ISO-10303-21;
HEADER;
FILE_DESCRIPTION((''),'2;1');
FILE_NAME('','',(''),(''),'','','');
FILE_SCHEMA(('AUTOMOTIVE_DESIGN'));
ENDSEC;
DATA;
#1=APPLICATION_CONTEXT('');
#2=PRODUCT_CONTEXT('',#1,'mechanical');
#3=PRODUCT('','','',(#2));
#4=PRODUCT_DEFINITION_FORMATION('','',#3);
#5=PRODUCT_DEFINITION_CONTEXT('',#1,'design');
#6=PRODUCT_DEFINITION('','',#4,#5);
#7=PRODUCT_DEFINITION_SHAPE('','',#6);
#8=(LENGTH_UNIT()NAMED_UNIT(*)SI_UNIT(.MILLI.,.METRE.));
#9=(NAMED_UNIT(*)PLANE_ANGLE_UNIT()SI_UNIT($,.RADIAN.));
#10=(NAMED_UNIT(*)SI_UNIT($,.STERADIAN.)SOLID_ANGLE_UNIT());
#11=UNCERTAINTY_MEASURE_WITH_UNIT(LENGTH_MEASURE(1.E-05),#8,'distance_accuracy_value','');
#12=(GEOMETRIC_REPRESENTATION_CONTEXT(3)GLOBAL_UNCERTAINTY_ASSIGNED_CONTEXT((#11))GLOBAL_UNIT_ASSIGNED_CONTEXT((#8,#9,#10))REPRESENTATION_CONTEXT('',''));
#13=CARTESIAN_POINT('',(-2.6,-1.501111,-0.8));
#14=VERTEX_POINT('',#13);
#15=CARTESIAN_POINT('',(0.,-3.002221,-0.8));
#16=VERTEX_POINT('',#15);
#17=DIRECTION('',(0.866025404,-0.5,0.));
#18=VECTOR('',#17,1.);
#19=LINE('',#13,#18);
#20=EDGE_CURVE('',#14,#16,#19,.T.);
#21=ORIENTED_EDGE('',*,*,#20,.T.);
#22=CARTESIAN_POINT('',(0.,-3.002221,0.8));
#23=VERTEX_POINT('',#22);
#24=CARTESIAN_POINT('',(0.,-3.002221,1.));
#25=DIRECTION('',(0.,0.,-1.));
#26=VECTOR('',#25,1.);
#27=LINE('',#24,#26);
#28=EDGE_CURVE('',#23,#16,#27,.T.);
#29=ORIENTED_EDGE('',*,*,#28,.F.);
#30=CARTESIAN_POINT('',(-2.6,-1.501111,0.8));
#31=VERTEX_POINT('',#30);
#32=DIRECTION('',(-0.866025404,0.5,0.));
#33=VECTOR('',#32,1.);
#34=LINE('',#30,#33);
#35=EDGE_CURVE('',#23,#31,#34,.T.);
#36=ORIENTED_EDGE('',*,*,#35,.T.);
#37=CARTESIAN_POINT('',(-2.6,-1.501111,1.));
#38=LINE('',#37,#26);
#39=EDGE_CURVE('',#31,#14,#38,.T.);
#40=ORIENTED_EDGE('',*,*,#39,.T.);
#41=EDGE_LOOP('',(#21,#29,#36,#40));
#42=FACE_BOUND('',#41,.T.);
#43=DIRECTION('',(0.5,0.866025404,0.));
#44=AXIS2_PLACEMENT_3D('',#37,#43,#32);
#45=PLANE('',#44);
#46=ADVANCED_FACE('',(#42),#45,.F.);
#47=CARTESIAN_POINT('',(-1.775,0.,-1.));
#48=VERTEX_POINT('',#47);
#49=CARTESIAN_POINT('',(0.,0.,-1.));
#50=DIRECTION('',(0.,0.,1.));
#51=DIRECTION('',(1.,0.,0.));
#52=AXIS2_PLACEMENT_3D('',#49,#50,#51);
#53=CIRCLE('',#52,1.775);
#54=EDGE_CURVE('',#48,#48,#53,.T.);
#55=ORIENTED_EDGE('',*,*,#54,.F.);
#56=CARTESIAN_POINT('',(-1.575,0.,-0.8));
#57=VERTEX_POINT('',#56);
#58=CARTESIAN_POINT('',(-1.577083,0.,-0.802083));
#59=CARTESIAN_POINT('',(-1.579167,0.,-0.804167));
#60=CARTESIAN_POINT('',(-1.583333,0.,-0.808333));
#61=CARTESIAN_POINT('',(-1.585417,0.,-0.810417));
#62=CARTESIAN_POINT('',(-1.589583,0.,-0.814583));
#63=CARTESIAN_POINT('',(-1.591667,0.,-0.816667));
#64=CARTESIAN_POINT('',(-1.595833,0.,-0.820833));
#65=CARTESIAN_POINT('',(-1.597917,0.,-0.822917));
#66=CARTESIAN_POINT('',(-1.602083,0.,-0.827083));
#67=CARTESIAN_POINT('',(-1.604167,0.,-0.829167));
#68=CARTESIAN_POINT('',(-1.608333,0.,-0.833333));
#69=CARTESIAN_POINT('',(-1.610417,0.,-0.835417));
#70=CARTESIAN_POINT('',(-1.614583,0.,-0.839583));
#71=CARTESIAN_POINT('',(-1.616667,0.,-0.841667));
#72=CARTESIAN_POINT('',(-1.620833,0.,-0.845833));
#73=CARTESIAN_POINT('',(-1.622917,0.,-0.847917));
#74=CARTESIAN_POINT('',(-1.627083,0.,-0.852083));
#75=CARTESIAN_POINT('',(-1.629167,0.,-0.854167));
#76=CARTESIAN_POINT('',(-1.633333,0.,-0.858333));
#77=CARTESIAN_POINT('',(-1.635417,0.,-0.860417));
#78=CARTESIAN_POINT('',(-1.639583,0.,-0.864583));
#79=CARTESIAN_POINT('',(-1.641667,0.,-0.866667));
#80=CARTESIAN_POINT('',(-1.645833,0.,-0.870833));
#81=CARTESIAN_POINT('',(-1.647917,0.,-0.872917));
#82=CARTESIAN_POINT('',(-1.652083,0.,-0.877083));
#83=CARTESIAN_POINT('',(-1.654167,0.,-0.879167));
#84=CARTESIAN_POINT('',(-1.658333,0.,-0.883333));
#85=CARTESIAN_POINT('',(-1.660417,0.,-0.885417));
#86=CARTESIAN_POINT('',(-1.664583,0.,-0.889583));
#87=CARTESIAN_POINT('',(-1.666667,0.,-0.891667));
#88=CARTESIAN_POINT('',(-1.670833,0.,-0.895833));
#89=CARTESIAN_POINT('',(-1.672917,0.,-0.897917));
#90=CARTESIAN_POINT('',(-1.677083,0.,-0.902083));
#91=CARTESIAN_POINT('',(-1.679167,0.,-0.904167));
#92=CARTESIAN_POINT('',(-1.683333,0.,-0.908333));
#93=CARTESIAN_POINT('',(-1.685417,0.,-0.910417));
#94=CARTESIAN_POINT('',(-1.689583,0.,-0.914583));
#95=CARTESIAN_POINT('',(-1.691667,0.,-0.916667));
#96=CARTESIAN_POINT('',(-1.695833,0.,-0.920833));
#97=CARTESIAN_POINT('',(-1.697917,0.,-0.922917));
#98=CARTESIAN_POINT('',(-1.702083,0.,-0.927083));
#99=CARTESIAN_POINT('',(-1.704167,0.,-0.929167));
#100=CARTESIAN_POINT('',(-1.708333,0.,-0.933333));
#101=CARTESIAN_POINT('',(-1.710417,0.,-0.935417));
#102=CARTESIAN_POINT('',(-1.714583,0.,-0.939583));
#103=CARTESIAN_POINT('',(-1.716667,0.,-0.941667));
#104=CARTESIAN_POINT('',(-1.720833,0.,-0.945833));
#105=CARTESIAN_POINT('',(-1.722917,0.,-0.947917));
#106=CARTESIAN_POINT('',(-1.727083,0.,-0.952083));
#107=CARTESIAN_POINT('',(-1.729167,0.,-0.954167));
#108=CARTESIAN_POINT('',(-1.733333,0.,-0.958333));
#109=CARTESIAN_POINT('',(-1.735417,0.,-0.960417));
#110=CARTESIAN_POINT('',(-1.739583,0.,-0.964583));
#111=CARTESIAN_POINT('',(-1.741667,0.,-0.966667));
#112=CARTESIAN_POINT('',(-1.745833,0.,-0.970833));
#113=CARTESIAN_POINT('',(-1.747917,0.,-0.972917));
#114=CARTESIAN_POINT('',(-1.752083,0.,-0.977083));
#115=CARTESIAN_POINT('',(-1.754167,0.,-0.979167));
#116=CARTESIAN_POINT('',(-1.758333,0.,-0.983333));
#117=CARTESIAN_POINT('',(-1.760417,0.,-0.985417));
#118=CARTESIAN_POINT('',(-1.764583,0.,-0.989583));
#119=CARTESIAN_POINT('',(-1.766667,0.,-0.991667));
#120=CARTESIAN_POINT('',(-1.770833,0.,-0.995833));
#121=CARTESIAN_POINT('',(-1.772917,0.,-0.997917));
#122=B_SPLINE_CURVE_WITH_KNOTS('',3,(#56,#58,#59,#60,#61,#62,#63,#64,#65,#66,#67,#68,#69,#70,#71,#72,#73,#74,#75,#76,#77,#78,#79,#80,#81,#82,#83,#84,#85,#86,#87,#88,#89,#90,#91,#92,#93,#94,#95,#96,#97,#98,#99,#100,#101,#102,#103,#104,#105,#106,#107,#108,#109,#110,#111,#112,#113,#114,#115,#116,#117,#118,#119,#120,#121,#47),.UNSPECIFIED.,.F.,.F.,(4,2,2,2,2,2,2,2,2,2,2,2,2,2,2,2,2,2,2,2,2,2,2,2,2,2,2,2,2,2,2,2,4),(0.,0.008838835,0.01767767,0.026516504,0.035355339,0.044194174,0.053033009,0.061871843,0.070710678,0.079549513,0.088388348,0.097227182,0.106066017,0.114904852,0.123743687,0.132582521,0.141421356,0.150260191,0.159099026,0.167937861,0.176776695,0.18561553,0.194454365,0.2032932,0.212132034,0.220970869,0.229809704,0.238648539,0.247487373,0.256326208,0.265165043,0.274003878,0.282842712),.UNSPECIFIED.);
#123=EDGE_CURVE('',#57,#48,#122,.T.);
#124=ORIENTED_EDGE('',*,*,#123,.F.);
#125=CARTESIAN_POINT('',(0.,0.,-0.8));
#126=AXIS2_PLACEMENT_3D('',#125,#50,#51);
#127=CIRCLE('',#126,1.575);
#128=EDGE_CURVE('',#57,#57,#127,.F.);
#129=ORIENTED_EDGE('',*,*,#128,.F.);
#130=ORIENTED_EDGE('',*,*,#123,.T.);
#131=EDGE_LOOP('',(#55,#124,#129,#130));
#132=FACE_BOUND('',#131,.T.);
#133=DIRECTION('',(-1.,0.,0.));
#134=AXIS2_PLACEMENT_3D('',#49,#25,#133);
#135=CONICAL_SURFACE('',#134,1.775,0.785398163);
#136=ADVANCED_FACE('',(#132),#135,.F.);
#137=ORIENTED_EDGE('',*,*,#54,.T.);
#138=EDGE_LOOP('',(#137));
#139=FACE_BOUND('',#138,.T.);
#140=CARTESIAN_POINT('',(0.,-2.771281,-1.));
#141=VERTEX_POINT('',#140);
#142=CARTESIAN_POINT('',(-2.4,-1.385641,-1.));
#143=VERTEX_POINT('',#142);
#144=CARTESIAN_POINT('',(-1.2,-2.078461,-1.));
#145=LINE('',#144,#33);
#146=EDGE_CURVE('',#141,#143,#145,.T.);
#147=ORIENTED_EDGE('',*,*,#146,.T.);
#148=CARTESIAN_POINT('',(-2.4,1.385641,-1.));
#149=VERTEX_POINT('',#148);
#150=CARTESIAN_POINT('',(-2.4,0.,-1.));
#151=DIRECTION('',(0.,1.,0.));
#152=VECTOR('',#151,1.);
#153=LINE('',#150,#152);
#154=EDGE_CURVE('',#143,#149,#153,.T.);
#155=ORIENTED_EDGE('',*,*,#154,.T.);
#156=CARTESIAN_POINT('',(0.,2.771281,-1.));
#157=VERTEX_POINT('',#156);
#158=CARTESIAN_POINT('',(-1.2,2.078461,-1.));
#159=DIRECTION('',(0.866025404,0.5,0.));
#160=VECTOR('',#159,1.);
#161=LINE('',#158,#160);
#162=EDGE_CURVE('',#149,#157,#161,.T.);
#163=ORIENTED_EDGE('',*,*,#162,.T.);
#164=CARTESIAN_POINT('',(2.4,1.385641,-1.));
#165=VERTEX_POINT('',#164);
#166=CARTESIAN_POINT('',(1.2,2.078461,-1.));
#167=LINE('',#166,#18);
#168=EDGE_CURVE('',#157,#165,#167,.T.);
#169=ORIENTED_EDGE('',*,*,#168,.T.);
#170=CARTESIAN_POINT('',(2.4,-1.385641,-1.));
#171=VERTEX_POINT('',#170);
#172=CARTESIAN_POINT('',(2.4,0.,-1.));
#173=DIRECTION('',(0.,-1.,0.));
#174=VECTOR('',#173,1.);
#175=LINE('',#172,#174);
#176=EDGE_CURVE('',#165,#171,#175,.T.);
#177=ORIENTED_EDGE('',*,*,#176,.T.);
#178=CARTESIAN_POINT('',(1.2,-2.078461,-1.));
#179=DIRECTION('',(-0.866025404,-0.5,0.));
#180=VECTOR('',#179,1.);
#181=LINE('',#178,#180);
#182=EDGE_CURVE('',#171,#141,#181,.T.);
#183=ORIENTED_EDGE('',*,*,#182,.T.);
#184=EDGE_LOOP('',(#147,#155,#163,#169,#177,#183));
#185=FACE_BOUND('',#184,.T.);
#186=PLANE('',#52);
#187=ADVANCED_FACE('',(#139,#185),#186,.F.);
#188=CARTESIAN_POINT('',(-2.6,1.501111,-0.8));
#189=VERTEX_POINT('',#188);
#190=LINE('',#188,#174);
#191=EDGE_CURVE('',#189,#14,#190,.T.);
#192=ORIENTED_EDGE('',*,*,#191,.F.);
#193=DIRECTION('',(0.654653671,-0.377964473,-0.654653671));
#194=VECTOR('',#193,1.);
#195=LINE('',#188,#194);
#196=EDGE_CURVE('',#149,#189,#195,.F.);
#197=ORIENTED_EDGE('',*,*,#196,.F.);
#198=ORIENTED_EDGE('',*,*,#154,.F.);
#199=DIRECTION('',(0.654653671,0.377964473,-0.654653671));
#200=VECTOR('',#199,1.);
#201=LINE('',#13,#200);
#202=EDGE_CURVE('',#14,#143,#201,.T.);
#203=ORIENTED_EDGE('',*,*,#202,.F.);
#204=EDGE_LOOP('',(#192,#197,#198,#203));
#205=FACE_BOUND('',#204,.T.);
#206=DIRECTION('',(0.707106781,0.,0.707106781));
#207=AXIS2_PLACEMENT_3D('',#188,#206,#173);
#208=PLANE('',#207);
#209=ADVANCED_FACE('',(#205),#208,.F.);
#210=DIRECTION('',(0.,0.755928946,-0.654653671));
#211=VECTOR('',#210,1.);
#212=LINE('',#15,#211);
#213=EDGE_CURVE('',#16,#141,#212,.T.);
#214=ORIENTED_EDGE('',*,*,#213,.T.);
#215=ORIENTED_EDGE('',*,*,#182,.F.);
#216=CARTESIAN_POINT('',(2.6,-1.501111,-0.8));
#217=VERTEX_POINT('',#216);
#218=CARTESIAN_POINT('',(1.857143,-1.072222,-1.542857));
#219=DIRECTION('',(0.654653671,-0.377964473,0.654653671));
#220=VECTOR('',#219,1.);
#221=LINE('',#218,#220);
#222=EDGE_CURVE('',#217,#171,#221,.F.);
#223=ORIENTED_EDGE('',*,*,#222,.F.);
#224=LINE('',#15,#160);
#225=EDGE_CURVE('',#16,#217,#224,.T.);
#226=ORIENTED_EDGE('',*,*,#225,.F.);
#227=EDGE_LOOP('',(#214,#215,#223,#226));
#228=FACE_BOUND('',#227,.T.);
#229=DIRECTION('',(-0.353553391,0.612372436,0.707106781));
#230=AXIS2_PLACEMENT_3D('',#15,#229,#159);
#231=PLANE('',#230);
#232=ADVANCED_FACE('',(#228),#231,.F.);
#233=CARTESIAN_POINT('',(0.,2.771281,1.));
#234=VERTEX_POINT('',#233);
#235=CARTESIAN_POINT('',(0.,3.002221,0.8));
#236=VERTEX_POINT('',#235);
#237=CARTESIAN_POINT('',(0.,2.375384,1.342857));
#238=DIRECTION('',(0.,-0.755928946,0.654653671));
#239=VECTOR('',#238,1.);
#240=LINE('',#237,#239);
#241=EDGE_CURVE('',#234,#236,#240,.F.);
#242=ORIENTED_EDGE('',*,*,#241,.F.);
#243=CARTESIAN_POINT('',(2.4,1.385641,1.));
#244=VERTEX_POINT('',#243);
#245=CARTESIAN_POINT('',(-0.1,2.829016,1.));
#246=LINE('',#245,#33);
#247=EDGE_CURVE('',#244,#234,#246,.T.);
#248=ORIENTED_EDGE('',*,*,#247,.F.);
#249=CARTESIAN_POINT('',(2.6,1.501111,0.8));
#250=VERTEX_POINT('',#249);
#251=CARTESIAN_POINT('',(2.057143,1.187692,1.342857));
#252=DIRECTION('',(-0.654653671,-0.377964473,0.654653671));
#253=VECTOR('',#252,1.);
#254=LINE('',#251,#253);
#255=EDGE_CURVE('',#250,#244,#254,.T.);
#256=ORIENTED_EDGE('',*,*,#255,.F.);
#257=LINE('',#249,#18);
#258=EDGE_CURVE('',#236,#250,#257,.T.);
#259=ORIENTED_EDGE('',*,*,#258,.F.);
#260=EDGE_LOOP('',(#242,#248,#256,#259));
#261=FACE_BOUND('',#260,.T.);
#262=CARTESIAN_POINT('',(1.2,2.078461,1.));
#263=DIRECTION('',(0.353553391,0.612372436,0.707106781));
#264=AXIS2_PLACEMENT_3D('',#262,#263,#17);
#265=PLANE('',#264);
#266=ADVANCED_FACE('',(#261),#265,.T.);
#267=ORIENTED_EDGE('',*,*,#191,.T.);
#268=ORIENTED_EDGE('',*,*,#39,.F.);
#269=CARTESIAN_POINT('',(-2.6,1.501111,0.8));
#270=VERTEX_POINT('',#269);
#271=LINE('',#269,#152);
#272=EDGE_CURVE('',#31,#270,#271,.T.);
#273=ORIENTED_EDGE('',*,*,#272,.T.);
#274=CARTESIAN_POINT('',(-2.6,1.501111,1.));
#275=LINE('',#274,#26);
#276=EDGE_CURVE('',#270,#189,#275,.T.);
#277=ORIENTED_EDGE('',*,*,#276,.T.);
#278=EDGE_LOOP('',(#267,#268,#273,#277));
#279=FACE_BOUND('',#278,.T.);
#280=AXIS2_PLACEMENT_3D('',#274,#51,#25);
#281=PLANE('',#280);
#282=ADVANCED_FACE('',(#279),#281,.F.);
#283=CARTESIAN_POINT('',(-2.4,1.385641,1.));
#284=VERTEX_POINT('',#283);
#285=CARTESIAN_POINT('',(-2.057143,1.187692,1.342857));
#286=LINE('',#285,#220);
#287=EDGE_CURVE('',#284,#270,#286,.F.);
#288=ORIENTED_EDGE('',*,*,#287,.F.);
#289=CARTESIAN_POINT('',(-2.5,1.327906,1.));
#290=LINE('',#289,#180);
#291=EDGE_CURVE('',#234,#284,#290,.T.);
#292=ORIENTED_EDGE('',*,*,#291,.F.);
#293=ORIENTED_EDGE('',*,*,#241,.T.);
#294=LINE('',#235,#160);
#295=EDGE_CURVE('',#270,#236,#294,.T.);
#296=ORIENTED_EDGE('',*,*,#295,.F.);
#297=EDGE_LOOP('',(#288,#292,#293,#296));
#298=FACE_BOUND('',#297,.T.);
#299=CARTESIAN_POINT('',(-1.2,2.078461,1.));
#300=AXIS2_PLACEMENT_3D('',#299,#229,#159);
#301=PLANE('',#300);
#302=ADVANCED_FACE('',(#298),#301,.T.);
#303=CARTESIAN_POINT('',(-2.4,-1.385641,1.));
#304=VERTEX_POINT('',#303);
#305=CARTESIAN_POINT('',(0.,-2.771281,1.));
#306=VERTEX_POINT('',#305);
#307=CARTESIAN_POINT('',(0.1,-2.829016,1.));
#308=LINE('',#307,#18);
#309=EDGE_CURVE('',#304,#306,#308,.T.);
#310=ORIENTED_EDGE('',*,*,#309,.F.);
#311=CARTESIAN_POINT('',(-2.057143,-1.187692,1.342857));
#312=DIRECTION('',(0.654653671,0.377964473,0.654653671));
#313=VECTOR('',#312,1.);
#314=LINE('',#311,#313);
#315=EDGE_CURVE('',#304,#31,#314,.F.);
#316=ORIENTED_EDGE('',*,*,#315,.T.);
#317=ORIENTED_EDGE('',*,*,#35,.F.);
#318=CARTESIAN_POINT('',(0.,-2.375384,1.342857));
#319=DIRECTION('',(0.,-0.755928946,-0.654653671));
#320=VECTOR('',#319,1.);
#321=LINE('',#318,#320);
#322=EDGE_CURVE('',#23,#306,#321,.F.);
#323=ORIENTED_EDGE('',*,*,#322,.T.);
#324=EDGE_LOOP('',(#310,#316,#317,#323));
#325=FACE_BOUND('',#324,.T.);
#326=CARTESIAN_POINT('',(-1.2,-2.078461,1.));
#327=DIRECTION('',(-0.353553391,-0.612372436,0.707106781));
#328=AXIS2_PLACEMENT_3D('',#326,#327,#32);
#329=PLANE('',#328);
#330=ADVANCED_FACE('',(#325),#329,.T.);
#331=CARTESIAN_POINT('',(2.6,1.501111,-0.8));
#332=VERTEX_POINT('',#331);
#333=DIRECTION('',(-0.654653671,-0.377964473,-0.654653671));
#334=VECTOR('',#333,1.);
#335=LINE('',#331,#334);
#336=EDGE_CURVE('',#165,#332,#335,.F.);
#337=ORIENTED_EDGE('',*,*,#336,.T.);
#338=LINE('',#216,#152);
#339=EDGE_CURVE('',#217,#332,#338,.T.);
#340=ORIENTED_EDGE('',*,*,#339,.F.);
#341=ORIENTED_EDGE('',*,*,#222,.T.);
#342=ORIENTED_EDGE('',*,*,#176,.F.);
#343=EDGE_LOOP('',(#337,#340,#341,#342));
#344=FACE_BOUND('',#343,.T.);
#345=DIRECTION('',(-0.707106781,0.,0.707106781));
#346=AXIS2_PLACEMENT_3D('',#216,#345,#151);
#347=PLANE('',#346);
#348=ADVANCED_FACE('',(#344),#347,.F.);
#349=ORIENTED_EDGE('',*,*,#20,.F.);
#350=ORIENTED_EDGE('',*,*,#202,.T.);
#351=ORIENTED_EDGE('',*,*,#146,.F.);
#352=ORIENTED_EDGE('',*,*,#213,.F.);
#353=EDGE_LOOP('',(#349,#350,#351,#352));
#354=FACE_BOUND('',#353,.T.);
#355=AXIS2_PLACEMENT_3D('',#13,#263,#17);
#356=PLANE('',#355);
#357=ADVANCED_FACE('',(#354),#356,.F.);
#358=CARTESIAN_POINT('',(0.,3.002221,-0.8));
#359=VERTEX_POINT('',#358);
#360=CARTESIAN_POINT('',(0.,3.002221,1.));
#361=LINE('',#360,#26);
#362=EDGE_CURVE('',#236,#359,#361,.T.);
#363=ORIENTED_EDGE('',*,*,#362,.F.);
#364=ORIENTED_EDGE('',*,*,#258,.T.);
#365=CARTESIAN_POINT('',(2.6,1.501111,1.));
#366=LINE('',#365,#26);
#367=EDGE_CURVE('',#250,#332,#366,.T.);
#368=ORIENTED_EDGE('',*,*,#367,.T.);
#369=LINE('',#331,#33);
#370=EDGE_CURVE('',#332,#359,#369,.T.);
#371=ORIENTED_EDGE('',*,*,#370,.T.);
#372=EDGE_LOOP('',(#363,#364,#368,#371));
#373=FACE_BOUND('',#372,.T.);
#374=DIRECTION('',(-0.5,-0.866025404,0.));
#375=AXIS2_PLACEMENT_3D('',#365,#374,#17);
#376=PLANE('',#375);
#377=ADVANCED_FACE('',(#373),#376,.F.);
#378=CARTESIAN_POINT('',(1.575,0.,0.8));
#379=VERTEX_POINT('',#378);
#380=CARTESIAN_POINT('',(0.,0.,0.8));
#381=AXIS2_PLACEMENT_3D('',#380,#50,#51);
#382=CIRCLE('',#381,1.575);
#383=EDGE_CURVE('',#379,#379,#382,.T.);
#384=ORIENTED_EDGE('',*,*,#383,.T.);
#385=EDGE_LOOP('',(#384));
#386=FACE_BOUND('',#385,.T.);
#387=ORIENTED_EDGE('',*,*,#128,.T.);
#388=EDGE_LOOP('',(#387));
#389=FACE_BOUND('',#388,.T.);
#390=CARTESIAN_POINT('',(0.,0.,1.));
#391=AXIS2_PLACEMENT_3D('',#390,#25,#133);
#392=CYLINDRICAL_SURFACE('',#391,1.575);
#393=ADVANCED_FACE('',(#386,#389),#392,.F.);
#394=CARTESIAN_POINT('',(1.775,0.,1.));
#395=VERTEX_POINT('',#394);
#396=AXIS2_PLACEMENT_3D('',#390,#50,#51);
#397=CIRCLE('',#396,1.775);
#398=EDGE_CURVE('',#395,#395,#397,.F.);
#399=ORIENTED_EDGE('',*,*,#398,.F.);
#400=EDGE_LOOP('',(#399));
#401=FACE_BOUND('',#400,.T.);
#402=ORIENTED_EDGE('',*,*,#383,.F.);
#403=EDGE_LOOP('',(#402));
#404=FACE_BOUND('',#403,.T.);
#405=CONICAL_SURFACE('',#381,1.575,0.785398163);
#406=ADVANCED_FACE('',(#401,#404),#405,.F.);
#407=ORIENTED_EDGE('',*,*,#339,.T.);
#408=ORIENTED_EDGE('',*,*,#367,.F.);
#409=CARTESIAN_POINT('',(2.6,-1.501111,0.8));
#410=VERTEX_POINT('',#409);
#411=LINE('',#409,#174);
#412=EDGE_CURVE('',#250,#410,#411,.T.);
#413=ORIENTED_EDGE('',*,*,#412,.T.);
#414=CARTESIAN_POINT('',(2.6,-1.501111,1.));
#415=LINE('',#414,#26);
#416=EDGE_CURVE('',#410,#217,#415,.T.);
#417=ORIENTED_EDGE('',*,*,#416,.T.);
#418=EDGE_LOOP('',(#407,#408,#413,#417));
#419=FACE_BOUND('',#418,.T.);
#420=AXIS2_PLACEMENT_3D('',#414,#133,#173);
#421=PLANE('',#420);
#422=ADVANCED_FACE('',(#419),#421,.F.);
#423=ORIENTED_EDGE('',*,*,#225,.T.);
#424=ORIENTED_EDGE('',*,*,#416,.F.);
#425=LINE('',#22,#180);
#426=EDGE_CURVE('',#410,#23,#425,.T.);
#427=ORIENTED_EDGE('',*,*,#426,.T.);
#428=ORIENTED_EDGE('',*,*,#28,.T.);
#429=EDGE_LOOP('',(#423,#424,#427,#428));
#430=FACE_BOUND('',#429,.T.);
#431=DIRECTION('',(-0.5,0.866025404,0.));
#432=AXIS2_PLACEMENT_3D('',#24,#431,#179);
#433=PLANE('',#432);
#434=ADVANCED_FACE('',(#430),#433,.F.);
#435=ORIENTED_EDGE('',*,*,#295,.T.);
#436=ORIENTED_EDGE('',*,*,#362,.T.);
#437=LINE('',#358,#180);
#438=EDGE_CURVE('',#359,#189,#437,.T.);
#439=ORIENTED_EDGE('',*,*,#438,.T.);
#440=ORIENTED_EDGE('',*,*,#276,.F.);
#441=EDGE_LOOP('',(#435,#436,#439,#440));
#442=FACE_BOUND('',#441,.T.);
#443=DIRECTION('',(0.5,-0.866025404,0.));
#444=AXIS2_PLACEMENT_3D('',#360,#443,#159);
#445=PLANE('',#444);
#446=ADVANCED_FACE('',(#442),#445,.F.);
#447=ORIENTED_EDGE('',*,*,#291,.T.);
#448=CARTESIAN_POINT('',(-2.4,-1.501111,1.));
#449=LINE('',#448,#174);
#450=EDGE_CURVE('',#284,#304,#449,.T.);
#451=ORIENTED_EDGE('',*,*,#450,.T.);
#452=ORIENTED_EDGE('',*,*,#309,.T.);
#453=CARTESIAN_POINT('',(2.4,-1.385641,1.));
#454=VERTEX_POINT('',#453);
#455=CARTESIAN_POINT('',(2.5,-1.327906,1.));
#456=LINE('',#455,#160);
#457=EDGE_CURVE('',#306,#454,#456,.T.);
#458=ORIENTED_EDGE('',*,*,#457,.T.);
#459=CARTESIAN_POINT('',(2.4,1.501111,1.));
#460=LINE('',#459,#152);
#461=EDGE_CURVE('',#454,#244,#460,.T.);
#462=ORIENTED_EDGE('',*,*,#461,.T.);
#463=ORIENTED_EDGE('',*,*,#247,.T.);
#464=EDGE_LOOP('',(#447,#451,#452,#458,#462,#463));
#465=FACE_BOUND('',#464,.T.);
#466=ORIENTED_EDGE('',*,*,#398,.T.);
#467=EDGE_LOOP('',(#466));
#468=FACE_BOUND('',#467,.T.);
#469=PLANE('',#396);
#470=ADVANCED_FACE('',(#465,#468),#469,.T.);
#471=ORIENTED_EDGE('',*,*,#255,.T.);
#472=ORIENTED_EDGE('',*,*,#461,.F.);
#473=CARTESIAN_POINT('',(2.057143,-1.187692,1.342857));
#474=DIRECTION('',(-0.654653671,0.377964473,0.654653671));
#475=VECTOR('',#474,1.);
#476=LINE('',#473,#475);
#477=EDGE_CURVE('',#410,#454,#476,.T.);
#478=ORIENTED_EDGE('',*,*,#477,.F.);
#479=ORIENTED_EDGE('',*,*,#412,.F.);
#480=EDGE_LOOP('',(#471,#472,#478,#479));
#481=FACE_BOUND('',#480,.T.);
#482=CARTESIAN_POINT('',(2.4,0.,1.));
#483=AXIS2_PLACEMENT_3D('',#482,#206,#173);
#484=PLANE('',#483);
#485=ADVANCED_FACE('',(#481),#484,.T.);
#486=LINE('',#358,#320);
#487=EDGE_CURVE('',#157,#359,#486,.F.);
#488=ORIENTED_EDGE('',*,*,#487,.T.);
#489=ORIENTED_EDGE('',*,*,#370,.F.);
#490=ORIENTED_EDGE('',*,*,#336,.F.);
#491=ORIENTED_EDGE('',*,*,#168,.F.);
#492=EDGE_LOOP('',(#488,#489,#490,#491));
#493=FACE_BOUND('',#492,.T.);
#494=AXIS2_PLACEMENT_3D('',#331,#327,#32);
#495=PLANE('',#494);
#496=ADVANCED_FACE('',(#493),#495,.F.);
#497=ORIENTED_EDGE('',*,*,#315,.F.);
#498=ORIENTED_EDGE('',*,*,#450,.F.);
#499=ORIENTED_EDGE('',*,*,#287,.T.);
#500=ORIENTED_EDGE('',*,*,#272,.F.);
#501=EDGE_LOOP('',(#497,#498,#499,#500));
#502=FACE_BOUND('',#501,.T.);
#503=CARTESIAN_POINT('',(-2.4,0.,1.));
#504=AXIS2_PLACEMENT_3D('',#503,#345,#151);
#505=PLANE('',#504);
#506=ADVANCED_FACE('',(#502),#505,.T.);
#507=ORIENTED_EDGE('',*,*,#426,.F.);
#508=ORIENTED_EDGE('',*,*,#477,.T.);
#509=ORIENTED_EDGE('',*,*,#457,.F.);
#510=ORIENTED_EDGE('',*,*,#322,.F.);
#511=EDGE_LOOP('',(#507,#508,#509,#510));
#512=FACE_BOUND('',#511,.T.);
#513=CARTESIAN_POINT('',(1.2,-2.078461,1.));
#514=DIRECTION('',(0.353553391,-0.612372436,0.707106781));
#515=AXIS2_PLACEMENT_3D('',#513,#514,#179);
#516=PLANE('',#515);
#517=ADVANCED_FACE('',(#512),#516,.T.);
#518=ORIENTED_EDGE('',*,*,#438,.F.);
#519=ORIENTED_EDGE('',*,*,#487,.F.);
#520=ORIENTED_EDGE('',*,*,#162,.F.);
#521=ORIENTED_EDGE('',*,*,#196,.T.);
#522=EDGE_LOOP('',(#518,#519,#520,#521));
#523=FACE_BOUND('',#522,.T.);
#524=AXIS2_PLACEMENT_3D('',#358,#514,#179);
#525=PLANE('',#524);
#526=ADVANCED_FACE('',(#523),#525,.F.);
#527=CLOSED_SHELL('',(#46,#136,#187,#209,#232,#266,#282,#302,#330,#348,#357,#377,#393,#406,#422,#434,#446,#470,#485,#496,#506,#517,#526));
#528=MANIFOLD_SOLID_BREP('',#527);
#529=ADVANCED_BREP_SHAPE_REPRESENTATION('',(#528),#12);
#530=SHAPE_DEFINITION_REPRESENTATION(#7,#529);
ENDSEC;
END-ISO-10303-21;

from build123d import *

# Parameters (mm, degrees)
SKETCH1_R           = 1.575
BOSS_EXTRUDE1_DEPTH = 1
DEBURS_SIZE         = 0.2


with BuildPart() as part:
    # Sketch1 → Boss-Extrude1 (new, symmetric)
    with BuildSketch(Plane.XY):
        Polygon((2.6, -1.5011107), (2.6, 1.5011107), (0, 3.0022214), (-2.6, 1.5011107), (-2.6, -1.5011107), (0, -3.0022214), align=None)
        Circle(SKETCH1_R, mode=Mode.SUBTRACT)
    extrude(amount=BOSS_EXTRUDE1_DEPTH, both=True)

    # Deburs
    deburs_edges = [part.edges().sort_by_distance(p)[0] for p in [
        (1.3, 2.25166605, 1),
        (-1.3, 2.25166605, 1),
        (-1.575, 0, -1),
        (-1.575, 0, 1),
        (-2.6, 0, 1),
        (-1.3, -2.25166605, 1),
        (1.3, -2.25166605, 1),
        (-1.3, -2.25166605, -1),
        (-2.6, 0, -1),
        (-1.3, 2.25166605, -1),
        (1.3, 2.25166605, -1),
        (2.6, 0, -1),
        (1.3, -2.25166605, -1),
        (2.6, 0, 1),
    ]]
    chamfer(deburs_edges, length=DEBURS_SIZE)


solid = part.part
